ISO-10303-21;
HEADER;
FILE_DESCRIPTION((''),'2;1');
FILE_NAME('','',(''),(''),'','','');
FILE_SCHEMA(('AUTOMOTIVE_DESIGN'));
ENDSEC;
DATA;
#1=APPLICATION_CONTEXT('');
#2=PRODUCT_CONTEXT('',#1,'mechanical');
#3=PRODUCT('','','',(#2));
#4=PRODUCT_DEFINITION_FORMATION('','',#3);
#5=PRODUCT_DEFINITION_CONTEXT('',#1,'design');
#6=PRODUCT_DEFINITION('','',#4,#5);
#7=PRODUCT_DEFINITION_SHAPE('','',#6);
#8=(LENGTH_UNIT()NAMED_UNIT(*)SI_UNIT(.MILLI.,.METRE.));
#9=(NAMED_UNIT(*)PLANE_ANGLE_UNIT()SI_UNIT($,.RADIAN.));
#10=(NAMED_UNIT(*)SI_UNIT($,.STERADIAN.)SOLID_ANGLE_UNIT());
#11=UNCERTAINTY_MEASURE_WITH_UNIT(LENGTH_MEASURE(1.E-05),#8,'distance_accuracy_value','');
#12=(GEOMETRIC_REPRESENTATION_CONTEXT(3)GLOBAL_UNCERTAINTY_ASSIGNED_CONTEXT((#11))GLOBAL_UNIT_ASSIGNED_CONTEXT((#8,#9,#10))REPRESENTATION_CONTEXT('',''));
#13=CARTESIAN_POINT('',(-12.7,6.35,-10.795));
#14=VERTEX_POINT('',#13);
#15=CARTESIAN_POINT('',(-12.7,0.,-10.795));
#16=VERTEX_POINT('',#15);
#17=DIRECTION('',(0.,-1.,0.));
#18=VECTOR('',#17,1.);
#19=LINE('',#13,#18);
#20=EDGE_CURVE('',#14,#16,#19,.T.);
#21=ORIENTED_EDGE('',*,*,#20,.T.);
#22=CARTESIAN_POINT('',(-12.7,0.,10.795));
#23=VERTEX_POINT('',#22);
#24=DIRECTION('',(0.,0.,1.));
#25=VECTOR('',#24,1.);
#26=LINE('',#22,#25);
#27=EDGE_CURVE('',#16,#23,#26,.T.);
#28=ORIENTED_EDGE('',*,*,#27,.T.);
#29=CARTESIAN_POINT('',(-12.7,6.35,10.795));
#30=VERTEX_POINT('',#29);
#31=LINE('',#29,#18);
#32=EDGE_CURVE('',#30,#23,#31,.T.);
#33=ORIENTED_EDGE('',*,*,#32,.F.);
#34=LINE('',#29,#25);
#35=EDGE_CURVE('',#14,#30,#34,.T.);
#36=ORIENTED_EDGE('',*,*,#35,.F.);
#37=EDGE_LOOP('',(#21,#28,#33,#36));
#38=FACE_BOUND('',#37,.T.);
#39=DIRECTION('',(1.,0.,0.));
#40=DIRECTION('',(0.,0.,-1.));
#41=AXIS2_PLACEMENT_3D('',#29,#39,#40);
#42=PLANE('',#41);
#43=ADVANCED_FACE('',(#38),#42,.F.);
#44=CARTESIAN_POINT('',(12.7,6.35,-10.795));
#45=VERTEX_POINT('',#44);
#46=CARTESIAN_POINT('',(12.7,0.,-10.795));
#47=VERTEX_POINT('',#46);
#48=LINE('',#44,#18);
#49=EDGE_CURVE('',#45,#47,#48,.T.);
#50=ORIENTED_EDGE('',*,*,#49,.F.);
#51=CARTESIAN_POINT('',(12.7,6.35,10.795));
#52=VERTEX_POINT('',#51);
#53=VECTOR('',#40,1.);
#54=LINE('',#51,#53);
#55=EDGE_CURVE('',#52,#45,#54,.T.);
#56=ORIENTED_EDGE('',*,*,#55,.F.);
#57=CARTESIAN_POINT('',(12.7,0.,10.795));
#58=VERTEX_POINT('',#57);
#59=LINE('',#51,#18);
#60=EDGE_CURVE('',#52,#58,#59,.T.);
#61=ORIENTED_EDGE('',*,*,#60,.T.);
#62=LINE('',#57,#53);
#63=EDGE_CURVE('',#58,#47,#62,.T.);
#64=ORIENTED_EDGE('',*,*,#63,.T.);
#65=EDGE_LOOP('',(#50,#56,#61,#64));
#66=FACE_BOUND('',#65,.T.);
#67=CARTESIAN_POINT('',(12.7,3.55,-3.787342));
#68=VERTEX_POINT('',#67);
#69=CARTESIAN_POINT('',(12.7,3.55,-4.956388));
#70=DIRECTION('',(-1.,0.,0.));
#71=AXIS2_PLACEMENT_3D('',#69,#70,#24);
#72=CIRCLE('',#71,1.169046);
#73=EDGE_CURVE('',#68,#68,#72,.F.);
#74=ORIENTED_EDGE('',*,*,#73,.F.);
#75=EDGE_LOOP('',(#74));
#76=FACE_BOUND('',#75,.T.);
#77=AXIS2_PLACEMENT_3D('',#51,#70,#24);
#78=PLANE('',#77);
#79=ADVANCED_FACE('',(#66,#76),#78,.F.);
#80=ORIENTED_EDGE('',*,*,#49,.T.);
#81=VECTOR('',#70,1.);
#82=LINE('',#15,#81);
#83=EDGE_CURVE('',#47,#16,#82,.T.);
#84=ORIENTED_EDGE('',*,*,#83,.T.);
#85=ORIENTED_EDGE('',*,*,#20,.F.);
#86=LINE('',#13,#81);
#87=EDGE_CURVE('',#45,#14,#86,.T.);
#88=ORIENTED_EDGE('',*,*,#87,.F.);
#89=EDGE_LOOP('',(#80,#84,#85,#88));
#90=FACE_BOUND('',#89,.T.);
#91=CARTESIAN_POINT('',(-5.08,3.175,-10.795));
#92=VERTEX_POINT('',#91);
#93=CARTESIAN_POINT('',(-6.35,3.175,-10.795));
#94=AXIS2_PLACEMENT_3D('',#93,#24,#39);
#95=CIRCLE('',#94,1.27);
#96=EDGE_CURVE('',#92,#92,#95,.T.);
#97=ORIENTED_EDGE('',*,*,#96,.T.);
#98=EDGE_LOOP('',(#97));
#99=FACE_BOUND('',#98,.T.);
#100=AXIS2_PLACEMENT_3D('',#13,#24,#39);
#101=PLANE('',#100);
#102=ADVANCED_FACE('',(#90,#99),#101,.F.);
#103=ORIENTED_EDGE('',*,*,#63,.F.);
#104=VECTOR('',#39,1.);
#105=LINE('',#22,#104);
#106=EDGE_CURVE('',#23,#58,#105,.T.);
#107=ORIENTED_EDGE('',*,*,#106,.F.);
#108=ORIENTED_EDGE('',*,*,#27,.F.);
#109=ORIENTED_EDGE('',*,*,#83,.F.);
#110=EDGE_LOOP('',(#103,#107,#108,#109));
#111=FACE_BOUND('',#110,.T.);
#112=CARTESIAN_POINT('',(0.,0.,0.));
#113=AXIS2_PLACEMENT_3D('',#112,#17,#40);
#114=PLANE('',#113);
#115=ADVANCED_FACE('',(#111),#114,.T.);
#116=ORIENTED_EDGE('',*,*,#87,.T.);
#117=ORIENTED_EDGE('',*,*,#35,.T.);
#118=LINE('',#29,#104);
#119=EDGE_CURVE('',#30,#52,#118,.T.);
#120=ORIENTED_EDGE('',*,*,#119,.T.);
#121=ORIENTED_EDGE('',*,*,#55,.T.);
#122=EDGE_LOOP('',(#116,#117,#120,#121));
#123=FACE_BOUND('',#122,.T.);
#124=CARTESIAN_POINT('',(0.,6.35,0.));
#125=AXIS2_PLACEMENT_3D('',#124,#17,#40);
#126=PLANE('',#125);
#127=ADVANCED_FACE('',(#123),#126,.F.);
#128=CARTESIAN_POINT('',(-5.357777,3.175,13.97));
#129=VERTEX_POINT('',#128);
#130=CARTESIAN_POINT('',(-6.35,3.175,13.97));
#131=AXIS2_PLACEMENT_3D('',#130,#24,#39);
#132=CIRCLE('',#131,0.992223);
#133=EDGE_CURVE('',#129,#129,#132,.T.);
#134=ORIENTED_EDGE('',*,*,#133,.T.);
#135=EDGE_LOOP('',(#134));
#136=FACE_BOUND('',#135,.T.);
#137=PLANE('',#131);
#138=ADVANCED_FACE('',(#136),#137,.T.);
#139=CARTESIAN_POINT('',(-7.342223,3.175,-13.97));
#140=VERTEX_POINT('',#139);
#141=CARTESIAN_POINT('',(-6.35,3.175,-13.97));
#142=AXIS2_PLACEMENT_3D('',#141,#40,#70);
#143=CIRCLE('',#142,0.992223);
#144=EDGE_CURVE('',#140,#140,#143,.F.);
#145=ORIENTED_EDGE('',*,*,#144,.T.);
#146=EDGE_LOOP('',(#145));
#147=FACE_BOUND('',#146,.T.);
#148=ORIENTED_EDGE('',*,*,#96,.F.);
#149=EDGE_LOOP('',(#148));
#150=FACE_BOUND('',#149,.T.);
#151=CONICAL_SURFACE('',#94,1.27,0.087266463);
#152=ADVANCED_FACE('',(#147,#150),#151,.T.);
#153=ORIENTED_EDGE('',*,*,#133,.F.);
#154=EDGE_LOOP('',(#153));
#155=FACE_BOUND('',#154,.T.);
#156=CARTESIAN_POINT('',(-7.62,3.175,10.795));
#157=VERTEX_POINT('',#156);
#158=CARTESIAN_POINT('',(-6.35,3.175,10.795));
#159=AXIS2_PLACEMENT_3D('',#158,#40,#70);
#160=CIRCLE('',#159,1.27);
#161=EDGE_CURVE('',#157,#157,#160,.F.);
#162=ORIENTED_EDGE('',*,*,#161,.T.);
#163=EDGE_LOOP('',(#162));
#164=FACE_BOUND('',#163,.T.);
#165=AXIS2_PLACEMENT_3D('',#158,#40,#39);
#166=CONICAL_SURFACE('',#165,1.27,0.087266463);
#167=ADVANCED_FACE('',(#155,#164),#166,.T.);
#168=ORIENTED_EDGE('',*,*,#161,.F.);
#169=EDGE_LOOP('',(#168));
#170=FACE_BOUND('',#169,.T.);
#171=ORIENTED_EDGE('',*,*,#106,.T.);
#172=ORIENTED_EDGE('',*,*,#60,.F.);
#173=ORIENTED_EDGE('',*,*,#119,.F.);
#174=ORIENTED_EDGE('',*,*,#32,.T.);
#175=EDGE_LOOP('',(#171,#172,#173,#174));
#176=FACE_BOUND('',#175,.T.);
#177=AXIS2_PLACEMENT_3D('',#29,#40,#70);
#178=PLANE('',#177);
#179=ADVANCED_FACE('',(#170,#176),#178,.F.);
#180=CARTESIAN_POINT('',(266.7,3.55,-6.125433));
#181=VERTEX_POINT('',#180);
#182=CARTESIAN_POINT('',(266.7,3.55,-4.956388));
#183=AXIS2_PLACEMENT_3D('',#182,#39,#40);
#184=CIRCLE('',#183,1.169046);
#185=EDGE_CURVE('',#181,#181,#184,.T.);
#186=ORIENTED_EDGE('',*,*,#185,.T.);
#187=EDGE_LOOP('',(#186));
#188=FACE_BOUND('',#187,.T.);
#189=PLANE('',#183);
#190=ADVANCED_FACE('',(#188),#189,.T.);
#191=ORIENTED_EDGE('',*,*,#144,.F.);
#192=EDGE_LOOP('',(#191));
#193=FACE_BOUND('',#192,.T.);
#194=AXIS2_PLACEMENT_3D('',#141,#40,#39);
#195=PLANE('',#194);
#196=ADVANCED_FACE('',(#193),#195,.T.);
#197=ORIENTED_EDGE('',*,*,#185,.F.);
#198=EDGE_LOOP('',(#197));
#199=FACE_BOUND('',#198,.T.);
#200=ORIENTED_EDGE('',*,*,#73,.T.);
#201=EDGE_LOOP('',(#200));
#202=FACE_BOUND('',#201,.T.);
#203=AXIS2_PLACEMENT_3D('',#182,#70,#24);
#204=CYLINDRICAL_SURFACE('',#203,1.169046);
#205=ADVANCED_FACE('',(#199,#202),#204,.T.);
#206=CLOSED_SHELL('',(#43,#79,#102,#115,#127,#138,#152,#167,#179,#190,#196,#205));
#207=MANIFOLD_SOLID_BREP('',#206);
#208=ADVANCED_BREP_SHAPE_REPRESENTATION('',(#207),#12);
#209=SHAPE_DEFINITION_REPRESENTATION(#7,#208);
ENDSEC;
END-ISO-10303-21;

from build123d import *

# Parameters (mm, degrees)
SKETCH1_W           = 25.4
SKETCH1_H           = 21.59
BOSS_EXTRUDE1_DEPTH = 6.35
SKETCH2_R           = 1.27
BOSS_EXTRUDE2_DEPTH = 3.175
BOSS_EXTRUDE2_TAPER = 5
SKETCH3_R           = 1.169045739
BOSS_EXTRUDE3_DEPTH = 254


with BuildPart() as part:
    # Sketch1 → Boss-Extrude1 (new body)
    with BuildSketch(Plane(origin=(0, 0, 0), x_dir=(1, 0, 0), z_dir=(0, 1, 0))):
        Rectangle(SKETCH1_W, SKETCH1_H)
    extrude(amount=BOSS_EXTRUDE1_DEPTH)

    # Sketch2 → Boss-Extrude2 (add)
    with BuildSketch(Plane.XY.offset(10.795)):
        with Locations((-6.35, 3.175)):
            Circle(SKETCH2_R)
    boss_extrude2 = extrude(amount=BOSS_EXTRUDE2_DEPTH, taper=BOSS_EXTRUDE2_TAPER)

    # Mirror1: Boss-Extrude2 across plane
    add(boss_extrude2.mirror(Plane.XY))

    # Sketch3 → Boss-Extrude3 (add)
    with BuildSketch(Plane(origin=(12.7, 0, 0), x_dir=(0, 0, -1), z_dir=(1, 0, 0))):
        with Locations((4.956387533, 3.55)):
            Circle(SKETCH3_R)
    extrude(amount=BOSS_EXTRUDE3_DEPTH)


solid = part.part
